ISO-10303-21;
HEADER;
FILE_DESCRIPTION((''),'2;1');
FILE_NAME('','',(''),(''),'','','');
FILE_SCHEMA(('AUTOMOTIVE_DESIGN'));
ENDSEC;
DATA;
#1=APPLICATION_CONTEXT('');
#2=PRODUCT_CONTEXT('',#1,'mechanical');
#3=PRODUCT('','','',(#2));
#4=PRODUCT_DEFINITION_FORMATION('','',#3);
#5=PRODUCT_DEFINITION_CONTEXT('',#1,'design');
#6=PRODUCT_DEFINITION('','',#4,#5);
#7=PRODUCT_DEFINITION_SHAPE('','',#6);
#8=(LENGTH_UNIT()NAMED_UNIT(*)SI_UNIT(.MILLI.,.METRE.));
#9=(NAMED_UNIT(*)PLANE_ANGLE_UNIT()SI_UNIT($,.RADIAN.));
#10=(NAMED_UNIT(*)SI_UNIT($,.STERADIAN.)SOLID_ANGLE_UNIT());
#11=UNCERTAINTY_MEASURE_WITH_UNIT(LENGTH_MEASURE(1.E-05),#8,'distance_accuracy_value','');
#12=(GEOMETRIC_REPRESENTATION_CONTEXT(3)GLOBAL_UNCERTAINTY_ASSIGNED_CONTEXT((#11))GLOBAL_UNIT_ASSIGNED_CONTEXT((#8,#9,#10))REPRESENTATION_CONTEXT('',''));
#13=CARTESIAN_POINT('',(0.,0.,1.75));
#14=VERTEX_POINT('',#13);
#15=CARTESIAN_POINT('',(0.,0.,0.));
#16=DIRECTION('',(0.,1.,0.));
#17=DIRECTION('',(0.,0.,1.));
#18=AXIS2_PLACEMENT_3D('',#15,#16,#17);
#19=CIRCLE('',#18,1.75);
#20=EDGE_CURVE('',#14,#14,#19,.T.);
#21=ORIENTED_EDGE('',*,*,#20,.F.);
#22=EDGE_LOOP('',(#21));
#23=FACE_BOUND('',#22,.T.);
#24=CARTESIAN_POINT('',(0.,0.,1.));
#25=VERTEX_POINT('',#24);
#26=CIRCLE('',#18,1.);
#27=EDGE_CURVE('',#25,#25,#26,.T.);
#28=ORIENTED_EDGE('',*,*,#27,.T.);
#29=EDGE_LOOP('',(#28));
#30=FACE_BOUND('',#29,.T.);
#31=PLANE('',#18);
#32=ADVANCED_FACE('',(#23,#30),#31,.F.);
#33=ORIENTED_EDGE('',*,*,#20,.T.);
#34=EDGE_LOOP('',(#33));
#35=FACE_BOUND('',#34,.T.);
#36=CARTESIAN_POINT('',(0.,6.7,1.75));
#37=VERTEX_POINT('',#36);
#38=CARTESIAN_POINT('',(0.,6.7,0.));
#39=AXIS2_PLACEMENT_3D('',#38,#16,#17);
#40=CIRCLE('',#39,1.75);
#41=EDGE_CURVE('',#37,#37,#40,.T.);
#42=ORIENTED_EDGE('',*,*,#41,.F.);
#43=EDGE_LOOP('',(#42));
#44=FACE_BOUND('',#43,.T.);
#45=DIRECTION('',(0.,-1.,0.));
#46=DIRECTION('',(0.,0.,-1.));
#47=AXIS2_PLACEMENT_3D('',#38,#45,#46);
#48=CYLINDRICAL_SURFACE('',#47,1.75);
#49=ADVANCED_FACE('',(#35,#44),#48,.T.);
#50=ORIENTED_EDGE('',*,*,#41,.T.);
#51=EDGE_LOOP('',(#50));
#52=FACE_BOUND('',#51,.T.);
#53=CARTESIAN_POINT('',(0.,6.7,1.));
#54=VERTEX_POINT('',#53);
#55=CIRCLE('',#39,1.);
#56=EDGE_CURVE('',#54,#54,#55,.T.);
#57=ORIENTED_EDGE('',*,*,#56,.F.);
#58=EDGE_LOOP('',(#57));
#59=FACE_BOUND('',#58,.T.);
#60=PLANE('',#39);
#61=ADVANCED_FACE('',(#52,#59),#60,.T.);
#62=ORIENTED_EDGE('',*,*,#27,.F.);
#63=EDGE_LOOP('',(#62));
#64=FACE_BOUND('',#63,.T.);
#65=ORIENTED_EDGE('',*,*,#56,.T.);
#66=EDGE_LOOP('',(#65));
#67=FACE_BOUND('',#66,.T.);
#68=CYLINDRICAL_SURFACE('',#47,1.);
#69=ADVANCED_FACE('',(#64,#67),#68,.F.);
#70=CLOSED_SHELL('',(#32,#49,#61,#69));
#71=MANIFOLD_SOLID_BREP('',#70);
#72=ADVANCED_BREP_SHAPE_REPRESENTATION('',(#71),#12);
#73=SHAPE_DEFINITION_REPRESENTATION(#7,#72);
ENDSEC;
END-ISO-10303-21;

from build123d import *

# Parameters (mm, degrees)
SKETCH1_R           = 1.75
SKETCH1_R_2         = 1
BOSS_EXTRUDE1_DEPTH = 6.7


with BuildPart() as part:
    # Sketch1 → Boss-Extrude1 (new body)
    with BuildSketch(Plane(origin=(0, 0, 0), x_dir=(1, 0, 0), z_dir=(0, 1, 0))):
        with Locations(Location((0, 0, 0), (0, 0, 270))):
            Circle(SKETCH1_R)
        with Locations(Location((0, 0, 0), (0, 0, 270))):
            Circle(SKETCH1_R_2, mode=Mode.SUBTRACT)
    extrude(amount=BOSS_EXTRUDE1_DEPTH)


solid = part.part
